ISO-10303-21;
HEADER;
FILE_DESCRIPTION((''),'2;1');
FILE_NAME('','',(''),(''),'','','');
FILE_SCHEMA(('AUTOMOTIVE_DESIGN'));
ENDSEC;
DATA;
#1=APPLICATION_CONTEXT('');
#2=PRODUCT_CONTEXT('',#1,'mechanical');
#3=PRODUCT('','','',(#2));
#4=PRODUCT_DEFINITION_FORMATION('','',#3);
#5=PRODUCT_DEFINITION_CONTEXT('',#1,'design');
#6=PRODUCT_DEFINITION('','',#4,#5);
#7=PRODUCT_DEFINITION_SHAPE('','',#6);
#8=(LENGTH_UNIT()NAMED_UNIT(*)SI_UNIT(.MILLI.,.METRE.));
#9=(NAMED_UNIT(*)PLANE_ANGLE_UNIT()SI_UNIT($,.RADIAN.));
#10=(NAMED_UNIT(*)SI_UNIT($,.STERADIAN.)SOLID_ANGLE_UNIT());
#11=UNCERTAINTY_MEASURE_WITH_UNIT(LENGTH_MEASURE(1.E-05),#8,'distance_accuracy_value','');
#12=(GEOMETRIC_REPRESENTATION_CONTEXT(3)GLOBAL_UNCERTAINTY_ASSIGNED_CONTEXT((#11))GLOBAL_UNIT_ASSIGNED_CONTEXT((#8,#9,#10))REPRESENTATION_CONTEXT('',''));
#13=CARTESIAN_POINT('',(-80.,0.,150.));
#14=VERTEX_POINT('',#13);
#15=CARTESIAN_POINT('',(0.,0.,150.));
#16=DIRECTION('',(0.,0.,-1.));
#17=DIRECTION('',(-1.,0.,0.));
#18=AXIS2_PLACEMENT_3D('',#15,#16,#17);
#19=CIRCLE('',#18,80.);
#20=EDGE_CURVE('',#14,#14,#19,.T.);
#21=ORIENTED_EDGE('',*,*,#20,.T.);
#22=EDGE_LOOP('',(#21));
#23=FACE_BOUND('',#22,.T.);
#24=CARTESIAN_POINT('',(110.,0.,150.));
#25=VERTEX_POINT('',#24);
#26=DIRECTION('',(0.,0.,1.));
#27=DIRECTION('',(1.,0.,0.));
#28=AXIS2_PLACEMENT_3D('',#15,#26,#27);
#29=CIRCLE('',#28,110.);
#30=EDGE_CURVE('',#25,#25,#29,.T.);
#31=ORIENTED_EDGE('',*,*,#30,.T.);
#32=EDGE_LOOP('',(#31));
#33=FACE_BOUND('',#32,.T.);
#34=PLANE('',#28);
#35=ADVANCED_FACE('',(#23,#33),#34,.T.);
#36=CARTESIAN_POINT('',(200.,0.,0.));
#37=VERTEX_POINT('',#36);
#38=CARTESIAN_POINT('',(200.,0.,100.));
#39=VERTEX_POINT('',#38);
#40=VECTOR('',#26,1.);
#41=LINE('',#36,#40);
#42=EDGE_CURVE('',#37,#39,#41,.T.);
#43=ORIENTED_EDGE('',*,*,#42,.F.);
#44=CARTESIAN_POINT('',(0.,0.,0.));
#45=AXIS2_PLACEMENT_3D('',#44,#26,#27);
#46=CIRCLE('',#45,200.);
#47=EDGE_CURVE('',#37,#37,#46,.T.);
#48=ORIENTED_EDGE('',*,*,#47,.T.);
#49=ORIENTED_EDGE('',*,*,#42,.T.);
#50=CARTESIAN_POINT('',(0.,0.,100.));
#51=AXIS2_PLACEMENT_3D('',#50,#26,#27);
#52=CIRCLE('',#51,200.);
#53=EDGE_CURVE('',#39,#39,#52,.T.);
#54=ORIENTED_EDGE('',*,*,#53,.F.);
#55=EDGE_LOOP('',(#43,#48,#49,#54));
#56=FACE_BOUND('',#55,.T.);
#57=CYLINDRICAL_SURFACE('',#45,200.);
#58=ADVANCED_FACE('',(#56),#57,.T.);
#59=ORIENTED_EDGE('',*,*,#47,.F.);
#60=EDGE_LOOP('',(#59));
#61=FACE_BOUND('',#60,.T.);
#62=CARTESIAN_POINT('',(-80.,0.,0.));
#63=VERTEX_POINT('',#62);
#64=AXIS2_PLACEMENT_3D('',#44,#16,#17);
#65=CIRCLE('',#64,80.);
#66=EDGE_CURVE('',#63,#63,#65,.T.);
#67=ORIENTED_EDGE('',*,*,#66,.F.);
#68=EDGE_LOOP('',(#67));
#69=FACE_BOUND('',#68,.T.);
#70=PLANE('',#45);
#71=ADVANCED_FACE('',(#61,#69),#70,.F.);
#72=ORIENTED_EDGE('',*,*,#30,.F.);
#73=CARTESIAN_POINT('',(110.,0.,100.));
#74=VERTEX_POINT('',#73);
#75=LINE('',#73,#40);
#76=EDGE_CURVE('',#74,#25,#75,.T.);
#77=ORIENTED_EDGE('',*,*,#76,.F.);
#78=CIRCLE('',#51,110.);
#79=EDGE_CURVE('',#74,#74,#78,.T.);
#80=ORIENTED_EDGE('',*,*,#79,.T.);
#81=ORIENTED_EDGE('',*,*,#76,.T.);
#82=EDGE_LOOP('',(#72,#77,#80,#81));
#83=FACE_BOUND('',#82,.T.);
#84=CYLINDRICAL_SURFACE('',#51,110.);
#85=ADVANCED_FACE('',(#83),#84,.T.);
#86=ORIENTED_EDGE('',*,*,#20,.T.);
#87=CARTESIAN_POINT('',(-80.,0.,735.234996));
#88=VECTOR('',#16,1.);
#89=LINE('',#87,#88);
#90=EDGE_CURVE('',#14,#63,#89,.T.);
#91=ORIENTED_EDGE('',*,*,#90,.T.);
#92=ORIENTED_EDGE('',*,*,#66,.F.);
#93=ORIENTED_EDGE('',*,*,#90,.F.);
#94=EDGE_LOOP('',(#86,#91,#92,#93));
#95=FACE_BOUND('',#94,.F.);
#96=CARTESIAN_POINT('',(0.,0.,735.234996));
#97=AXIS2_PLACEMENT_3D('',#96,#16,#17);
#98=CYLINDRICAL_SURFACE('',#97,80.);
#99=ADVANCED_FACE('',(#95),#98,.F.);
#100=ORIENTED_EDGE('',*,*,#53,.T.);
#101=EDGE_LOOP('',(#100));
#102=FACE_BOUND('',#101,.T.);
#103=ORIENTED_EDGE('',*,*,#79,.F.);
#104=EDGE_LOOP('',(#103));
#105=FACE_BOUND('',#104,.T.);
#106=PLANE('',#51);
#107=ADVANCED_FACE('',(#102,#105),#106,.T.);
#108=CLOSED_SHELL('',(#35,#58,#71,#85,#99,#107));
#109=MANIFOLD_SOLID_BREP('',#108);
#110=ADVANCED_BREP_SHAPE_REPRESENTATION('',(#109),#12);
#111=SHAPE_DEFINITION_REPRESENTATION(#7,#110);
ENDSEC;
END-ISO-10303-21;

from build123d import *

# Parameters (mm, degrees)
F3_D = 160


with BuildPart() as f1:
    # F0 (on Front) → F1 (revolve)
    with BuildSketch(Plane.XZ):
        Polygon((0, 150), (0, 0), (200, 0), (200, 100), (110, 100), (110, 150), align=None)
    revolve(axis=Axis((0, 0, 75), (0, 0, 1)))

    # F3 (through all)
    with Locations(Plane.XY.offset(150)):
        with Locations((0, 0)):
            Hole(F3_D / 2)


solid = f1.part
